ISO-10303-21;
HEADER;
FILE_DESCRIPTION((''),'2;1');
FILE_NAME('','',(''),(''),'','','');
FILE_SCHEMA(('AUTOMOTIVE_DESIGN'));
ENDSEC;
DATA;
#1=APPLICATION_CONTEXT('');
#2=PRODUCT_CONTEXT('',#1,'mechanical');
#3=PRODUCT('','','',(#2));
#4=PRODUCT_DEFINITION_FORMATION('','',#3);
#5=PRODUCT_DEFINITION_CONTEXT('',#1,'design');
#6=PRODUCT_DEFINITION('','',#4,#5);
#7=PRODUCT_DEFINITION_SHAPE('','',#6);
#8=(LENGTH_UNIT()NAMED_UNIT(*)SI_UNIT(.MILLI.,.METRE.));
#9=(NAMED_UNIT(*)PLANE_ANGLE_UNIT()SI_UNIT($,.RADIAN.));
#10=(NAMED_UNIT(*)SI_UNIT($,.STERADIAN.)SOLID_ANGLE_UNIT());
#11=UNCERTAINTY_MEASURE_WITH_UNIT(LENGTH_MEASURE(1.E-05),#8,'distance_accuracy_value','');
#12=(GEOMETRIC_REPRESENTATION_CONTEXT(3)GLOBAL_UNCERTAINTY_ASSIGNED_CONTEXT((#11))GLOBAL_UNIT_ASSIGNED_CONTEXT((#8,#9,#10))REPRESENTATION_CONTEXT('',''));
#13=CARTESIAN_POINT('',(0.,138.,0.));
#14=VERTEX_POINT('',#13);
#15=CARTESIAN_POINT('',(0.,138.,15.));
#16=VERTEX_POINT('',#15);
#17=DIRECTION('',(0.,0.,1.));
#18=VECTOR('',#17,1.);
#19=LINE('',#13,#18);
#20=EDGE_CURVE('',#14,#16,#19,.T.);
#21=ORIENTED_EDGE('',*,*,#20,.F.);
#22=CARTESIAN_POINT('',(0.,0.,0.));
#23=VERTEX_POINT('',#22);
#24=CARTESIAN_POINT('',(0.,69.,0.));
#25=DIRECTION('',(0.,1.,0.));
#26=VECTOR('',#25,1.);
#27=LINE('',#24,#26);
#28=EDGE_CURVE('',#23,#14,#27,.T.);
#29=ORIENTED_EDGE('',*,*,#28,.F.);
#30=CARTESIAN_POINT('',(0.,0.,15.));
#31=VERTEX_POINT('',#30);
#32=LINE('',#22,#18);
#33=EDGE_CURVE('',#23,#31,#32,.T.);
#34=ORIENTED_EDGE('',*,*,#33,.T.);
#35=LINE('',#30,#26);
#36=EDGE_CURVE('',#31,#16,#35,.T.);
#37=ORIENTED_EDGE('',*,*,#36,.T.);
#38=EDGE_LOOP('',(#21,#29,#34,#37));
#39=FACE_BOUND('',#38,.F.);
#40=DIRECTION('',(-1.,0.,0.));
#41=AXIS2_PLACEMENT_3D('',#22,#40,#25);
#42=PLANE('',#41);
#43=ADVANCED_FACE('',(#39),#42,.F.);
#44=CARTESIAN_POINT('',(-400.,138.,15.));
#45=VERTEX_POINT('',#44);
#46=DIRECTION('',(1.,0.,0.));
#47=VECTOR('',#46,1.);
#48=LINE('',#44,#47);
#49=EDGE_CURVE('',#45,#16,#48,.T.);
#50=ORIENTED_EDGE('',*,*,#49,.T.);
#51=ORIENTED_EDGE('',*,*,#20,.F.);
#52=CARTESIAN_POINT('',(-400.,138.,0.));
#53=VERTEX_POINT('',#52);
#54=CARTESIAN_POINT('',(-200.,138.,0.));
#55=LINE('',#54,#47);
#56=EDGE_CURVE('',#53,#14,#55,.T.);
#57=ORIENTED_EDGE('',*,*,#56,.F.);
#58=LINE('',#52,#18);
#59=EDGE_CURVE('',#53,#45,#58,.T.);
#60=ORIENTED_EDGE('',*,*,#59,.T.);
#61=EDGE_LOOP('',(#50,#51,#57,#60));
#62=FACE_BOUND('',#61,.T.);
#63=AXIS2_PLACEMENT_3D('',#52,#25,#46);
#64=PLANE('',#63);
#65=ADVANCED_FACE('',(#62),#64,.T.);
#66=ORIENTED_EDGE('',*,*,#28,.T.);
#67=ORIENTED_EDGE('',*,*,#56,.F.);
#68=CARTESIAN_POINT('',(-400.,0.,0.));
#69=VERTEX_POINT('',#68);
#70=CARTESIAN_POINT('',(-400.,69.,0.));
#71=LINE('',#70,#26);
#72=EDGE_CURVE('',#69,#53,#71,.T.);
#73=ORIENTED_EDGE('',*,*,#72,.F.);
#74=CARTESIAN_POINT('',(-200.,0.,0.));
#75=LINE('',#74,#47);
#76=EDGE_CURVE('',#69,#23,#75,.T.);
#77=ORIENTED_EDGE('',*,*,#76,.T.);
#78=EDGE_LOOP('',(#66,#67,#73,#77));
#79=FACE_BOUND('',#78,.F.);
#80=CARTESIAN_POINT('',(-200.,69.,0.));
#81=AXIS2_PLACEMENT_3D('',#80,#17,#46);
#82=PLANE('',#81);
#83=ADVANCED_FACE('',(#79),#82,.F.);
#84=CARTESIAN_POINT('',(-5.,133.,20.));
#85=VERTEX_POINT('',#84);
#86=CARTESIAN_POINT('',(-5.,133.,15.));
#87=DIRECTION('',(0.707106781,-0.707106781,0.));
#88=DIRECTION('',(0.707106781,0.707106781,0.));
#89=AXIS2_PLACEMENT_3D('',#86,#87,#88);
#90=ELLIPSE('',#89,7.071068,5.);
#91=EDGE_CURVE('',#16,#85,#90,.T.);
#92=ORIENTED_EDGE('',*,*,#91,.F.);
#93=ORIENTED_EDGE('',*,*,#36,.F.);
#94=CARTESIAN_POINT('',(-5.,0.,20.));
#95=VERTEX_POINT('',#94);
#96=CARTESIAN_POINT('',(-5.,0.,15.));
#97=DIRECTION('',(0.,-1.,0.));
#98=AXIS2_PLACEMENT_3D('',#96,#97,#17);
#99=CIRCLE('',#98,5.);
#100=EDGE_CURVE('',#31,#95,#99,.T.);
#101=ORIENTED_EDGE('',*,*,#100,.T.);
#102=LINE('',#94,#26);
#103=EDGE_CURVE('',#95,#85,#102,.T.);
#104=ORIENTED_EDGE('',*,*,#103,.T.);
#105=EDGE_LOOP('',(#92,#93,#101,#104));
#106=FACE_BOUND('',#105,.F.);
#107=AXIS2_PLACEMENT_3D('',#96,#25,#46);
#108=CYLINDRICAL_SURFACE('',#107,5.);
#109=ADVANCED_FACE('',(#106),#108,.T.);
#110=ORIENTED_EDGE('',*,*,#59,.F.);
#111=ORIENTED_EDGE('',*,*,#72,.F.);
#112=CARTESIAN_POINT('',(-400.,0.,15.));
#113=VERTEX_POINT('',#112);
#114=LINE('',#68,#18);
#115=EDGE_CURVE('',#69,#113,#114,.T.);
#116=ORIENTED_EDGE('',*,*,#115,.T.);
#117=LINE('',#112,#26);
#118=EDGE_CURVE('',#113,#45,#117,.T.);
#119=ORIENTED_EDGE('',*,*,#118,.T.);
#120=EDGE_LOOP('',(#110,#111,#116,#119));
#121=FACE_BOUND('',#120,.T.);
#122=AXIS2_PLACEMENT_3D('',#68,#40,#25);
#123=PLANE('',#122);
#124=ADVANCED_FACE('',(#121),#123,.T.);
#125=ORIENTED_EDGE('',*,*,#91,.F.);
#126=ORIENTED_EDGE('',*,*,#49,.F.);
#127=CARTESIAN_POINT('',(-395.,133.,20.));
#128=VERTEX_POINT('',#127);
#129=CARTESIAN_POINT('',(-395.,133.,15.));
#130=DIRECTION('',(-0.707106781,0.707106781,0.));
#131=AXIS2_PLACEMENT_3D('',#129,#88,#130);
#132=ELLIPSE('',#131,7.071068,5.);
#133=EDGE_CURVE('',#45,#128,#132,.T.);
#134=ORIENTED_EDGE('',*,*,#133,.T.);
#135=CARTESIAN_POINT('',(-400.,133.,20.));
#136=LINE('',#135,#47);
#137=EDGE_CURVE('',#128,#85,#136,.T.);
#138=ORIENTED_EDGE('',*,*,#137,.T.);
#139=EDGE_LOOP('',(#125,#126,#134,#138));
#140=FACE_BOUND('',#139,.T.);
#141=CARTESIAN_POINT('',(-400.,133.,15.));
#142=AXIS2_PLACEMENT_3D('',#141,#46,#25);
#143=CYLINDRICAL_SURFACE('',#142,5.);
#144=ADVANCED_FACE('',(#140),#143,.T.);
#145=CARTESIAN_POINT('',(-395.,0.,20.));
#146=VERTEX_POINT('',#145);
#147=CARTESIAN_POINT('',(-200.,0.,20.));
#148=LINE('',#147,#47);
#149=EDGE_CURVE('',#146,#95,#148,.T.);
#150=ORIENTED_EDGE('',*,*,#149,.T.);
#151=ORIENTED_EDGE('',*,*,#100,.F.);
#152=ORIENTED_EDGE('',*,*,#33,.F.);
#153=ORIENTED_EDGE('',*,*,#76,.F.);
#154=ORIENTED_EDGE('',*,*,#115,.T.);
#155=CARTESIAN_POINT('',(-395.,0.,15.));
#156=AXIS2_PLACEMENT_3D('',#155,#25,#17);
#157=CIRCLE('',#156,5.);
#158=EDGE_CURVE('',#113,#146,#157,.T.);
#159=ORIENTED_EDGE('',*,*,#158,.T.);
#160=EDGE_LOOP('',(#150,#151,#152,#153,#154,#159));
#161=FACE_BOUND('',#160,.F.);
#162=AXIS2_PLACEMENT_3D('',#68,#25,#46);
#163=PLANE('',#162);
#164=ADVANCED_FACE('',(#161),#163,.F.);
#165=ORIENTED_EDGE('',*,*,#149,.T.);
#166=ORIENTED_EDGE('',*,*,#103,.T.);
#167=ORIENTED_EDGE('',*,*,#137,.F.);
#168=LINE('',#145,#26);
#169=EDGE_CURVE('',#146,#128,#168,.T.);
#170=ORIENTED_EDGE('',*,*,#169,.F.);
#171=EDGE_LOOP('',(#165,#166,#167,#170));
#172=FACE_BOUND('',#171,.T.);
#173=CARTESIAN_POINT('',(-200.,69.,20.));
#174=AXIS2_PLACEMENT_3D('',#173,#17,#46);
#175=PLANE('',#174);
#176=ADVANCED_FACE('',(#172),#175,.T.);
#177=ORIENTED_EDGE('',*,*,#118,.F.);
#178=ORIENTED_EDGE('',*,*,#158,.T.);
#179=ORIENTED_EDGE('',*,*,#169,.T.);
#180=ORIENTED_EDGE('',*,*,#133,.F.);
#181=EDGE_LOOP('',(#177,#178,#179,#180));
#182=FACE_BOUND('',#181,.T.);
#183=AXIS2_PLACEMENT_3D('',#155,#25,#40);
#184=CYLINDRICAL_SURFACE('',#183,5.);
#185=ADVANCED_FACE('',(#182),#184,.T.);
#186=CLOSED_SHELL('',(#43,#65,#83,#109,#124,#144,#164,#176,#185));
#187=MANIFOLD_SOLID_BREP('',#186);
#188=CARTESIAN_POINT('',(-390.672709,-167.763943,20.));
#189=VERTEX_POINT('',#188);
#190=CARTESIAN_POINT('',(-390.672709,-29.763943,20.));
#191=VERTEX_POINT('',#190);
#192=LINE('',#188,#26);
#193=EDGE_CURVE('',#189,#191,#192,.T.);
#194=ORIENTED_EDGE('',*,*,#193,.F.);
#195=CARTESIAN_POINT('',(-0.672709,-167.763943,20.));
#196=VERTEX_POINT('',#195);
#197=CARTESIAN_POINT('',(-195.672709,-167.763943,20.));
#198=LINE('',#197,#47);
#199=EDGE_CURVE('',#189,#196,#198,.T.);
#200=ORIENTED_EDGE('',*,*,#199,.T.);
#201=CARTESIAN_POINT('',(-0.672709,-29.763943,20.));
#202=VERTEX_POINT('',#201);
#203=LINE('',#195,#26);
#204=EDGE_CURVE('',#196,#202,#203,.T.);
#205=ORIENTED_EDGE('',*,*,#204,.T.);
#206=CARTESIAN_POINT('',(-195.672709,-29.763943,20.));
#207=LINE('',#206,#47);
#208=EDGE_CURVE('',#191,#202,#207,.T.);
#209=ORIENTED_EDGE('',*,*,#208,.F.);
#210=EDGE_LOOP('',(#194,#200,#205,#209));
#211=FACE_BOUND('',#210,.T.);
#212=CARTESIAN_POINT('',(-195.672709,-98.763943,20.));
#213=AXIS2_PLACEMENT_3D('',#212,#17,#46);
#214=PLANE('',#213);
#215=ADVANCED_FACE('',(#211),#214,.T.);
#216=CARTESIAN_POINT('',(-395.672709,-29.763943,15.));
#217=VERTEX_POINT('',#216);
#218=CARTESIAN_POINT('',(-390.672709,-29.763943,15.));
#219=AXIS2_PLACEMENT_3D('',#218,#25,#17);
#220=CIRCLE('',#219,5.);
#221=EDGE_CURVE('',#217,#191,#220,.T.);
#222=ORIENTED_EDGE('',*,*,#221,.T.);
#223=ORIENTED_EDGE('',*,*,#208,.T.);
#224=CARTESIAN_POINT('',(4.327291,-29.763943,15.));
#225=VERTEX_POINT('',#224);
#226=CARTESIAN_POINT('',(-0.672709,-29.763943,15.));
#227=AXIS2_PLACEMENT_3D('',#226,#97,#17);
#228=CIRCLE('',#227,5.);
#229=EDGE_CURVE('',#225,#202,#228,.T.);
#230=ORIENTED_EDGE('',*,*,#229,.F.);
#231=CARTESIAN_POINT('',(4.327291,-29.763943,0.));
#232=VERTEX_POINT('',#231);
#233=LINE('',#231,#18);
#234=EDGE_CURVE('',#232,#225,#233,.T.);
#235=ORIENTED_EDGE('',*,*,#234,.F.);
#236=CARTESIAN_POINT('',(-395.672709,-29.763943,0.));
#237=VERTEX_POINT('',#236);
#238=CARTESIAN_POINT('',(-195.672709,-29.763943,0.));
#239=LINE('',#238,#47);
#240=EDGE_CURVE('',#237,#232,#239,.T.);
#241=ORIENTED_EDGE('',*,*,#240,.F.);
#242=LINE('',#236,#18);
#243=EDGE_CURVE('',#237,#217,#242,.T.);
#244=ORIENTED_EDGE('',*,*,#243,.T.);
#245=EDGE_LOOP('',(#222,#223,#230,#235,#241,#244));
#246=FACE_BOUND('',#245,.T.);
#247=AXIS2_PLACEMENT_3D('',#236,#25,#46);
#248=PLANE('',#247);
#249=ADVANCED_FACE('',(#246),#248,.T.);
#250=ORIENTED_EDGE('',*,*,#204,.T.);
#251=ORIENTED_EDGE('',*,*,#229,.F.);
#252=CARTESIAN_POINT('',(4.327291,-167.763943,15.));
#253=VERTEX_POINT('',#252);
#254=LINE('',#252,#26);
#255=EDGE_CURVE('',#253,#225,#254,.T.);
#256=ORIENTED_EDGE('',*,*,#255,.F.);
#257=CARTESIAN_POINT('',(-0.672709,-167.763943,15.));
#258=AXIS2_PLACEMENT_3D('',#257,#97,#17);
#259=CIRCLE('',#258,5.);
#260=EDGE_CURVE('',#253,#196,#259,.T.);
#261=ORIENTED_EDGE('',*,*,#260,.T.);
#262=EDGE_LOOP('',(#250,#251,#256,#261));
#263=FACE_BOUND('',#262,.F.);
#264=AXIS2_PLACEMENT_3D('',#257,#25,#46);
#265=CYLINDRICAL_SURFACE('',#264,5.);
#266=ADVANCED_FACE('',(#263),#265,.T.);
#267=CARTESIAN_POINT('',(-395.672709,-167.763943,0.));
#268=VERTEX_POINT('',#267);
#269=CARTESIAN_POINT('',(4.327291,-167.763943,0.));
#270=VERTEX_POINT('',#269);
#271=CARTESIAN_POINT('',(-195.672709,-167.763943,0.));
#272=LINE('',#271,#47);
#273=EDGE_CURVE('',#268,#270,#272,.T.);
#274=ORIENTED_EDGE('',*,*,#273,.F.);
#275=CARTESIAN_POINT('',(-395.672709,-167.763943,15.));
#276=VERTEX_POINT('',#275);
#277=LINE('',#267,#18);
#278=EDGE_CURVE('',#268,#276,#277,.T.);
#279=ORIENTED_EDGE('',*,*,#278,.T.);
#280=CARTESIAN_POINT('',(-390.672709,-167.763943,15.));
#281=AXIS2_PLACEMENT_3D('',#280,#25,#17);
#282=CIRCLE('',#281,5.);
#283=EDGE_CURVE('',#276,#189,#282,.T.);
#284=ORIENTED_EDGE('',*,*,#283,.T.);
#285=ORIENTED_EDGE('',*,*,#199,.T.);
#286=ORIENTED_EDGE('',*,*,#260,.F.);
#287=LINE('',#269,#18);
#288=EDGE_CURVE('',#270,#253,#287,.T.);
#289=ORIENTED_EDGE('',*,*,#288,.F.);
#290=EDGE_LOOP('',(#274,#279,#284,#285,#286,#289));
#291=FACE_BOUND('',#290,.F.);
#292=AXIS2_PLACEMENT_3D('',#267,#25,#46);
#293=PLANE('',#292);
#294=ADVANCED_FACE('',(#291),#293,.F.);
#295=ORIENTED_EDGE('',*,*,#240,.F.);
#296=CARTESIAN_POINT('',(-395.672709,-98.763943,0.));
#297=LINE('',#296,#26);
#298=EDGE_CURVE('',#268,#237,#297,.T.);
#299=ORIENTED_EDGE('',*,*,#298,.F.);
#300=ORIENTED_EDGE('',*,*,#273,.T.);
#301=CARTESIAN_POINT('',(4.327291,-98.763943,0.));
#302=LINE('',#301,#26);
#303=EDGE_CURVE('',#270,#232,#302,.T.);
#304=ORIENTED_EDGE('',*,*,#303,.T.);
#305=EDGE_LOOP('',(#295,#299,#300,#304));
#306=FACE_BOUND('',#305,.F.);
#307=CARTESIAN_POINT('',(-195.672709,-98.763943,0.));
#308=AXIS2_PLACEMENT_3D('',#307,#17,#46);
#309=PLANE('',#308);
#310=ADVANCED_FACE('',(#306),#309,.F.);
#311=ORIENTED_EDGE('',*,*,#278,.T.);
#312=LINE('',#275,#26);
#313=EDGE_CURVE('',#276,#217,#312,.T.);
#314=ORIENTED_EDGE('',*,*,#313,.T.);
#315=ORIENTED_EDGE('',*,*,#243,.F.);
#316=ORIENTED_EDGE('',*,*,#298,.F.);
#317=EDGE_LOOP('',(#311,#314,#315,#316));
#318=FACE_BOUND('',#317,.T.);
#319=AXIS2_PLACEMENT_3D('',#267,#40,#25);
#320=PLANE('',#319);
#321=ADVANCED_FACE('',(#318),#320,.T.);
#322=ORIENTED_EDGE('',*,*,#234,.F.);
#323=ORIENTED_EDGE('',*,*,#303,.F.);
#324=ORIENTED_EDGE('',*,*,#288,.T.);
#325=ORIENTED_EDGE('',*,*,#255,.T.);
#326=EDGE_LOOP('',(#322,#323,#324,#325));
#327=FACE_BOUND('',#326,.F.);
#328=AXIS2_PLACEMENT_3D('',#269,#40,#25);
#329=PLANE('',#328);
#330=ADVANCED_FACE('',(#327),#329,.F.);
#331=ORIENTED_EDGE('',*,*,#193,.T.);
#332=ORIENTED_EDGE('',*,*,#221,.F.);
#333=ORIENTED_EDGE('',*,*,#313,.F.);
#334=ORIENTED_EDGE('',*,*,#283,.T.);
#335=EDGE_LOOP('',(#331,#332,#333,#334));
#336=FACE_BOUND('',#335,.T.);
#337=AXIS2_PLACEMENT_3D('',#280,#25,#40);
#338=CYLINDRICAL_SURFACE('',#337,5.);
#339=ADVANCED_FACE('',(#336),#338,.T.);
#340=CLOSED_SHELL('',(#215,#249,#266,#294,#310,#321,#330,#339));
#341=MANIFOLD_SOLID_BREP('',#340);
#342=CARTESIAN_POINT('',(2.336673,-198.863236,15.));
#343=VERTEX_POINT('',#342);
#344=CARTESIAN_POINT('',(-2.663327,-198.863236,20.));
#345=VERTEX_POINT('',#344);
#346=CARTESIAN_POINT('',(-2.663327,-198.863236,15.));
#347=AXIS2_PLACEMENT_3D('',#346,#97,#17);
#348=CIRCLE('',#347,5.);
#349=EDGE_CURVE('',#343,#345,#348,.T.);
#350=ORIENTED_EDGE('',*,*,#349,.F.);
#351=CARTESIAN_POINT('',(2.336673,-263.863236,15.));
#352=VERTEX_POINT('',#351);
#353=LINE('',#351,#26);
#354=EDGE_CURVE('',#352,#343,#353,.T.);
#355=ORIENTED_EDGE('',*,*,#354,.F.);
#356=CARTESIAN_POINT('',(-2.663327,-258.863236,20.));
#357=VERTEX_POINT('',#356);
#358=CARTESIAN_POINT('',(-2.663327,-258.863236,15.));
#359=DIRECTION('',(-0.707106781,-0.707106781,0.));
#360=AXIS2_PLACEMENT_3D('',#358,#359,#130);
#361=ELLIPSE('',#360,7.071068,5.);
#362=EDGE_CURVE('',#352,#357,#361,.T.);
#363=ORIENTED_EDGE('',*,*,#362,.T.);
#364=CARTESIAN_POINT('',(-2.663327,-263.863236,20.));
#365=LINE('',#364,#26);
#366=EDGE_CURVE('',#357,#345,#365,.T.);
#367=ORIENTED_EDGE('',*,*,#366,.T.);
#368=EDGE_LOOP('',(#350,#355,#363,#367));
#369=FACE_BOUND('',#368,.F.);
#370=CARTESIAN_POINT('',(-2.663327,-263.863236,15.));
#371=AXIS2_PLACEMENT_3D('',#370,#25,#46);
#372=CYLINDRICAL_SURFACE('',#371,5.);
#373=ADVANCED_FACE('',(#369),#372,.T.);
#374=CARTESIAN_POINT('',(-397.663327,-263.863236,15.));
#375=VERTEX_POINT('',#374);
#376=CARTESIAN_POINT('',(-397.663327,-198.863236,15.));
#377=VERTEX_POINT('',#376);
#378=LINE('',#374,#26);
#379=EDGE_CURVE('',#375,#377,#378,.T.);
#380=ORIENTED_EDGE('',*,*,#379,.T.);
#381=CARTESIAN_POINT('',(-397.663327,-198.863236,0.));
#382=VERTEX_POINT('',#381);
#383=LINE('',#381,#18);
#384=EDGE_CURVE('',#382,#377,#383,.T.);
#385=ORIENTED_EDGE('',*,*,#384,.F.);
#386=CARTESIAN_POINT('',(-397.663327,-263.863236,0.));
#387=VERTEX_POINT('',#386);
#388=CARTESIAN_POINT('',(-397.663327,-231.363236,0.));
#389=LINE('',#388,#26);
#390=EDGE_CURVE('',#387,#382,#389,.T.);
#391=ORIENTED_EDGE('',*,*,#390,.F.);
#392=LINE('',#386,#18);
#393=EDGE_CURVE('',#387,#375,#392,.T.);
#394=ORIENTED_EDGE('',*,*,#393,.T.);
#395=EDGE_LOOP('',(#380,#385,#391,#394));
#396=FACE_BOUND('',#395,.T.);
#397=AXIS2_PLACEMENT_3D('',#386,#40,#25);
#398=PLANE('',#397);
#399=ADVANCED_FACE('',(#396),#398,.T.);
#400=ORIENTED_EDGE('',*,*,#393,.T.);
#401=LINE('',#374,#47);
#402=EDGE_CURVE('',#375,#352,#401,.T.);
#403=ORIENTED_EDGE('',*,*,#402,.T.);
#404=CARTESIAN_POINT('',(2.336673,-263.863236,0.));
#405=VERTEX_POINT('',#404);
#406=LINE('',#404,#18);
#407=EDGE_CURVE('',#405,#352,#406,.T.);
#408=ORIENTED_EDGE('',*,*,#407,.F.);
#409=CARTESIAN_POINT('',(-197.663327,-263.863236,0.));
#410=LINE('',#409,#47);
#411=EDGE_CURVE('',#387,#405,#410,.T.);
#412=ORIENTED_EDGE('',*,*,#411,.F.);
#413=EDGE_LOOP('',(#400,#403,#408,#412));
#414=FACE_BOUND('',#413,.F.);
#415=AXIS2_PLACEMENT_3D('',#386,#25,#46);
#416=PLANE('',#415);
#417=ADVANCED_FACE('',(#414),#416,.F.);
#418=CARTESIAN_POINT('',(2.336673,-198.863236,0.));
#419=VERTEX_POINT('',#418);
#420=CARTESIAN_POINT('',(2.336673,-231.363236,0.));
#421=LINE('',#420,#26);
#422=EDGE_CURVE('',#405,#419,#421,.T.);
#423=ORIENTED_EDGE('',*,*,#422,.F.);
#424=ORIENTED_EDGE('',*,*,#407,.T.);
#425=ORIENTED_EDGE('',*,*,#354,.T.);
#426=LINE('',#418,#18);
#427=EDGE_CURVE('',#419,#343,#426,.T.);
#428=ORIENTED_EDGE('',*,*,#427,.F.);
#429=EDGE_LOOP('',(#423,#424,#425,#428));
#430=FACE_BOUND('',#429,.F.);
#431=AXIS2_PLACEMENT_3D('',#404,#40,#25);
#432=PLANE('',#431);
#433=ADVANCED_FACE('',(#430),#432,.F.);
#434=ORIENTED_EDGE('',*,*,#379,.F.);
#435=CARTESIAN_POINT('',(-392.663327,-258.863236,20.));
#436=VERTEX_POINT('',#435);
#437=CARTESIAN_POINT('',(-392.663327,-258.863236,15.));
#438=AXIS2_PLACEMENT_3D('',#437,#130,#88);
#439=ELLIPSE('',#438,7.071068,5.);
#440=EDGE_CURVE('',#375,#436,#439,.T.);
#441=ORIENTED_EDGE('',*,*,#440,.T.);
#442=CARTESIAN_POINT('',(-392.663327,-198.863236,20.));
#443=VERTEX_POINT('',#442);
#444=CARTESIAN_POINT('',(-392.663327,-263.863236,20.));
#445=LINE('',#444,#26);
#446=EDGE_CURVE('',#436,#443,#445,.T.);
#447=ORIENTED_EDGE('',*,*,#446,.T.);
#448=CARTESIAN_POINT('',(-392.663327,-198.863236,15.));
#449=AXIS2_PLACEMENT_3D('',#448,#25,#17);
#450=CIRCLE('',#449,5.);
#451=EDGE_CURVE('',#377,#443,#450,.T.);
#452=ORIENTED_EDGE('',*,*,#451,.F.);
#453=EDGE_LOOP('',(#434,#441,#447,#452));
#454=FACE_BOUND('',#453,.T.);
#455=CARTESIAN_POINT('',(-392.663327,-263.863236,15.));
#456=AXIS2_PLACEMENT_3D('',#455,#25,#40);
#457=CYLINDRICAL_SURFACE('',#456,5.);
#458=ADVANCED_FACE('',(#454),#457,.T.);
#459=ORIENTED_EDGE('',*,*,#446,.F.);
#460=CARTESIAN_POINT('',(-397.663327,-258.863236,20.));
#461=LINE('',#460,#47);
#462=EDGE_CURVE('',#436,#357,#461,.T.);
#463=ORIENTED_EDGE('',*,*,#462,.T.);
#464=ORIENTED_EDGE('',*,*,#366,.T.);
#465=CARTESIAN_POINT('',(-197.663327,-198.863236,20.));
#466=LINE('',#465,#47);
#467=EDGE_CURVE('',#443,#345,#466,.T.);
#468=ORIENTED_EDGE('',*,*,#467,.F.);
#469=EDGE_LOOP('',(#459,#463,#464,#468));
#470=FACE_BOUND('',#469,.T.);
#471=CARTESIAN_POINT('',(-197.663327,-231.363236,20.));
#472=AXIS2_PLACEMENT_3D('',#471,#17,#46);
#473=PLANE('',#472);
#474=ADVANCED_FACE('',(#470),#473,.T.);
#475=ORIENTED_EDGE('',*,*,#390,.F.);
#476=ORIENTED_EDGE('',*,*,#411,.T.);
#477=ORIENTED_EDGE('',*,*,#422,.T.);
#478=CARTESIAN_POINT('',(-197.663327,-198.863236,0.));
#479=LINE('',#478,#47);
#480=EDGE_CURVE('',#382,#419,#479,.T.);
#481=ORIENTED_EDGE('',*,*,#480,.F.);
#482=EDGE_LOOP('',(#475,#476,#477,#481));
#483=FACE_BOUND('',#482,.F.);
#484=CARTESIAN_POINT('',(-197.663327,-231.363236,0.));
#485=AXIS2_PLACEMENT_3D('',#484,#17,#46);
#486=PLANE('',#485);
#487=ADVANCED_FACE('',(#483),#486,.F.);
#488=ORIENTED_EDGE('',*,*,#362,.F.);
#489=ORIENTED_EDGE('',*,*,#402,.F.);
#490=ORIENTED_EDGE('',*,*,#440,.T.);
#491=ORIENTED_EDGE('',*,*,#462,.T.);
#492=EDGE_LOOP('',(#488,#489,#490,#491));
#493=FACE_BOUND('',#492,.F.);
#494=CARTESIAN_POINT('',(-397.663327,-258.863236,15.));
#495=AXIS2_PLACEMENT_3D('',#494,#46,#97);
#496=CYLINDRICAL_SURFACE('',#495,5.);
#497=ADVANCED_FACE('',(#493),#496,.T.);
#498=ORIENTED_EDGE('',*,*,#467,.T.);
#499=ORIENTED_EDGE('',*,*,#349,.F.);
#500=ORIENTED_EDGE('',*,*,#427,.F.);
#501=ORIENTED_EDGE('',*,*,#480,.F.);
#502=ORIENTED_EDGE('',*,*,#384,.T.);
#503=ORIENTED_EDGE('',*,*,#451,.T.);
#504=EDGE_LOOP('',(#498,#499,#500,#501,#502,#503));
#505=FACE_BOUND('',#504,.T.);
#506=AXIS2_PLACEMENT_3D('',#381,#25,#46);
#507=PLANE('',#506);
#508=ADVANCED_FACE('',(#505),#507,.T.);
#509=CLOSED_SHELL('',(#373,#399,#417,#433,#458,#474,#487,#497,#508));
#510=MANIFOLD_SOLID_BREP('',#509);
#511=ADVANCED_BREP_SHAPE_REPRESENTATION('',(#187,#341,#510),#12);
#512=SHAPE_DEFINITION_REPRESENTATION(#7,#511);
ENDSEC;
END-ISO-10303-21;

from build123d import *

# Parameters (mm, degrees)
F0_W     = 400
F0_H     = 138
F0_H_2   = 65
F1_DEPTH = 20
F2_R     = 5


with BuildPart() as f1:
    # F0 (on Top) → F1 (new body)
    with BuildSketch(Plane.XY):
        with Locations((-200, 69)):
            Rectangle(F0_W, F0_H)
        with Locations((-195.672709, -98.763943)):
            Rectangle(F0_W, F0_H)
        with Locations((-197.663327, -231.363236)):
            Rectangle(F0_W, F0_H_2)
    extrude(amount=F1_DEPTH)

    # F2
    f2_edges = [f1.edges().sort_by_distance(p)[0] for p in [
        (-397.663327, -231.363236, 20),
        (2.336673, -231.363236, 20),
        (-197.663327, -263.863236, 20),
        (-395.672709, -98.763943, 20),
        (4.327291, -98.763943, 20),
        (0, 69, 20),
        (-400, 69, 20),
        (-200, 138, 20),
    ]]
    fillet(f2_edges, radius=F2_R)


solid = f1.part
